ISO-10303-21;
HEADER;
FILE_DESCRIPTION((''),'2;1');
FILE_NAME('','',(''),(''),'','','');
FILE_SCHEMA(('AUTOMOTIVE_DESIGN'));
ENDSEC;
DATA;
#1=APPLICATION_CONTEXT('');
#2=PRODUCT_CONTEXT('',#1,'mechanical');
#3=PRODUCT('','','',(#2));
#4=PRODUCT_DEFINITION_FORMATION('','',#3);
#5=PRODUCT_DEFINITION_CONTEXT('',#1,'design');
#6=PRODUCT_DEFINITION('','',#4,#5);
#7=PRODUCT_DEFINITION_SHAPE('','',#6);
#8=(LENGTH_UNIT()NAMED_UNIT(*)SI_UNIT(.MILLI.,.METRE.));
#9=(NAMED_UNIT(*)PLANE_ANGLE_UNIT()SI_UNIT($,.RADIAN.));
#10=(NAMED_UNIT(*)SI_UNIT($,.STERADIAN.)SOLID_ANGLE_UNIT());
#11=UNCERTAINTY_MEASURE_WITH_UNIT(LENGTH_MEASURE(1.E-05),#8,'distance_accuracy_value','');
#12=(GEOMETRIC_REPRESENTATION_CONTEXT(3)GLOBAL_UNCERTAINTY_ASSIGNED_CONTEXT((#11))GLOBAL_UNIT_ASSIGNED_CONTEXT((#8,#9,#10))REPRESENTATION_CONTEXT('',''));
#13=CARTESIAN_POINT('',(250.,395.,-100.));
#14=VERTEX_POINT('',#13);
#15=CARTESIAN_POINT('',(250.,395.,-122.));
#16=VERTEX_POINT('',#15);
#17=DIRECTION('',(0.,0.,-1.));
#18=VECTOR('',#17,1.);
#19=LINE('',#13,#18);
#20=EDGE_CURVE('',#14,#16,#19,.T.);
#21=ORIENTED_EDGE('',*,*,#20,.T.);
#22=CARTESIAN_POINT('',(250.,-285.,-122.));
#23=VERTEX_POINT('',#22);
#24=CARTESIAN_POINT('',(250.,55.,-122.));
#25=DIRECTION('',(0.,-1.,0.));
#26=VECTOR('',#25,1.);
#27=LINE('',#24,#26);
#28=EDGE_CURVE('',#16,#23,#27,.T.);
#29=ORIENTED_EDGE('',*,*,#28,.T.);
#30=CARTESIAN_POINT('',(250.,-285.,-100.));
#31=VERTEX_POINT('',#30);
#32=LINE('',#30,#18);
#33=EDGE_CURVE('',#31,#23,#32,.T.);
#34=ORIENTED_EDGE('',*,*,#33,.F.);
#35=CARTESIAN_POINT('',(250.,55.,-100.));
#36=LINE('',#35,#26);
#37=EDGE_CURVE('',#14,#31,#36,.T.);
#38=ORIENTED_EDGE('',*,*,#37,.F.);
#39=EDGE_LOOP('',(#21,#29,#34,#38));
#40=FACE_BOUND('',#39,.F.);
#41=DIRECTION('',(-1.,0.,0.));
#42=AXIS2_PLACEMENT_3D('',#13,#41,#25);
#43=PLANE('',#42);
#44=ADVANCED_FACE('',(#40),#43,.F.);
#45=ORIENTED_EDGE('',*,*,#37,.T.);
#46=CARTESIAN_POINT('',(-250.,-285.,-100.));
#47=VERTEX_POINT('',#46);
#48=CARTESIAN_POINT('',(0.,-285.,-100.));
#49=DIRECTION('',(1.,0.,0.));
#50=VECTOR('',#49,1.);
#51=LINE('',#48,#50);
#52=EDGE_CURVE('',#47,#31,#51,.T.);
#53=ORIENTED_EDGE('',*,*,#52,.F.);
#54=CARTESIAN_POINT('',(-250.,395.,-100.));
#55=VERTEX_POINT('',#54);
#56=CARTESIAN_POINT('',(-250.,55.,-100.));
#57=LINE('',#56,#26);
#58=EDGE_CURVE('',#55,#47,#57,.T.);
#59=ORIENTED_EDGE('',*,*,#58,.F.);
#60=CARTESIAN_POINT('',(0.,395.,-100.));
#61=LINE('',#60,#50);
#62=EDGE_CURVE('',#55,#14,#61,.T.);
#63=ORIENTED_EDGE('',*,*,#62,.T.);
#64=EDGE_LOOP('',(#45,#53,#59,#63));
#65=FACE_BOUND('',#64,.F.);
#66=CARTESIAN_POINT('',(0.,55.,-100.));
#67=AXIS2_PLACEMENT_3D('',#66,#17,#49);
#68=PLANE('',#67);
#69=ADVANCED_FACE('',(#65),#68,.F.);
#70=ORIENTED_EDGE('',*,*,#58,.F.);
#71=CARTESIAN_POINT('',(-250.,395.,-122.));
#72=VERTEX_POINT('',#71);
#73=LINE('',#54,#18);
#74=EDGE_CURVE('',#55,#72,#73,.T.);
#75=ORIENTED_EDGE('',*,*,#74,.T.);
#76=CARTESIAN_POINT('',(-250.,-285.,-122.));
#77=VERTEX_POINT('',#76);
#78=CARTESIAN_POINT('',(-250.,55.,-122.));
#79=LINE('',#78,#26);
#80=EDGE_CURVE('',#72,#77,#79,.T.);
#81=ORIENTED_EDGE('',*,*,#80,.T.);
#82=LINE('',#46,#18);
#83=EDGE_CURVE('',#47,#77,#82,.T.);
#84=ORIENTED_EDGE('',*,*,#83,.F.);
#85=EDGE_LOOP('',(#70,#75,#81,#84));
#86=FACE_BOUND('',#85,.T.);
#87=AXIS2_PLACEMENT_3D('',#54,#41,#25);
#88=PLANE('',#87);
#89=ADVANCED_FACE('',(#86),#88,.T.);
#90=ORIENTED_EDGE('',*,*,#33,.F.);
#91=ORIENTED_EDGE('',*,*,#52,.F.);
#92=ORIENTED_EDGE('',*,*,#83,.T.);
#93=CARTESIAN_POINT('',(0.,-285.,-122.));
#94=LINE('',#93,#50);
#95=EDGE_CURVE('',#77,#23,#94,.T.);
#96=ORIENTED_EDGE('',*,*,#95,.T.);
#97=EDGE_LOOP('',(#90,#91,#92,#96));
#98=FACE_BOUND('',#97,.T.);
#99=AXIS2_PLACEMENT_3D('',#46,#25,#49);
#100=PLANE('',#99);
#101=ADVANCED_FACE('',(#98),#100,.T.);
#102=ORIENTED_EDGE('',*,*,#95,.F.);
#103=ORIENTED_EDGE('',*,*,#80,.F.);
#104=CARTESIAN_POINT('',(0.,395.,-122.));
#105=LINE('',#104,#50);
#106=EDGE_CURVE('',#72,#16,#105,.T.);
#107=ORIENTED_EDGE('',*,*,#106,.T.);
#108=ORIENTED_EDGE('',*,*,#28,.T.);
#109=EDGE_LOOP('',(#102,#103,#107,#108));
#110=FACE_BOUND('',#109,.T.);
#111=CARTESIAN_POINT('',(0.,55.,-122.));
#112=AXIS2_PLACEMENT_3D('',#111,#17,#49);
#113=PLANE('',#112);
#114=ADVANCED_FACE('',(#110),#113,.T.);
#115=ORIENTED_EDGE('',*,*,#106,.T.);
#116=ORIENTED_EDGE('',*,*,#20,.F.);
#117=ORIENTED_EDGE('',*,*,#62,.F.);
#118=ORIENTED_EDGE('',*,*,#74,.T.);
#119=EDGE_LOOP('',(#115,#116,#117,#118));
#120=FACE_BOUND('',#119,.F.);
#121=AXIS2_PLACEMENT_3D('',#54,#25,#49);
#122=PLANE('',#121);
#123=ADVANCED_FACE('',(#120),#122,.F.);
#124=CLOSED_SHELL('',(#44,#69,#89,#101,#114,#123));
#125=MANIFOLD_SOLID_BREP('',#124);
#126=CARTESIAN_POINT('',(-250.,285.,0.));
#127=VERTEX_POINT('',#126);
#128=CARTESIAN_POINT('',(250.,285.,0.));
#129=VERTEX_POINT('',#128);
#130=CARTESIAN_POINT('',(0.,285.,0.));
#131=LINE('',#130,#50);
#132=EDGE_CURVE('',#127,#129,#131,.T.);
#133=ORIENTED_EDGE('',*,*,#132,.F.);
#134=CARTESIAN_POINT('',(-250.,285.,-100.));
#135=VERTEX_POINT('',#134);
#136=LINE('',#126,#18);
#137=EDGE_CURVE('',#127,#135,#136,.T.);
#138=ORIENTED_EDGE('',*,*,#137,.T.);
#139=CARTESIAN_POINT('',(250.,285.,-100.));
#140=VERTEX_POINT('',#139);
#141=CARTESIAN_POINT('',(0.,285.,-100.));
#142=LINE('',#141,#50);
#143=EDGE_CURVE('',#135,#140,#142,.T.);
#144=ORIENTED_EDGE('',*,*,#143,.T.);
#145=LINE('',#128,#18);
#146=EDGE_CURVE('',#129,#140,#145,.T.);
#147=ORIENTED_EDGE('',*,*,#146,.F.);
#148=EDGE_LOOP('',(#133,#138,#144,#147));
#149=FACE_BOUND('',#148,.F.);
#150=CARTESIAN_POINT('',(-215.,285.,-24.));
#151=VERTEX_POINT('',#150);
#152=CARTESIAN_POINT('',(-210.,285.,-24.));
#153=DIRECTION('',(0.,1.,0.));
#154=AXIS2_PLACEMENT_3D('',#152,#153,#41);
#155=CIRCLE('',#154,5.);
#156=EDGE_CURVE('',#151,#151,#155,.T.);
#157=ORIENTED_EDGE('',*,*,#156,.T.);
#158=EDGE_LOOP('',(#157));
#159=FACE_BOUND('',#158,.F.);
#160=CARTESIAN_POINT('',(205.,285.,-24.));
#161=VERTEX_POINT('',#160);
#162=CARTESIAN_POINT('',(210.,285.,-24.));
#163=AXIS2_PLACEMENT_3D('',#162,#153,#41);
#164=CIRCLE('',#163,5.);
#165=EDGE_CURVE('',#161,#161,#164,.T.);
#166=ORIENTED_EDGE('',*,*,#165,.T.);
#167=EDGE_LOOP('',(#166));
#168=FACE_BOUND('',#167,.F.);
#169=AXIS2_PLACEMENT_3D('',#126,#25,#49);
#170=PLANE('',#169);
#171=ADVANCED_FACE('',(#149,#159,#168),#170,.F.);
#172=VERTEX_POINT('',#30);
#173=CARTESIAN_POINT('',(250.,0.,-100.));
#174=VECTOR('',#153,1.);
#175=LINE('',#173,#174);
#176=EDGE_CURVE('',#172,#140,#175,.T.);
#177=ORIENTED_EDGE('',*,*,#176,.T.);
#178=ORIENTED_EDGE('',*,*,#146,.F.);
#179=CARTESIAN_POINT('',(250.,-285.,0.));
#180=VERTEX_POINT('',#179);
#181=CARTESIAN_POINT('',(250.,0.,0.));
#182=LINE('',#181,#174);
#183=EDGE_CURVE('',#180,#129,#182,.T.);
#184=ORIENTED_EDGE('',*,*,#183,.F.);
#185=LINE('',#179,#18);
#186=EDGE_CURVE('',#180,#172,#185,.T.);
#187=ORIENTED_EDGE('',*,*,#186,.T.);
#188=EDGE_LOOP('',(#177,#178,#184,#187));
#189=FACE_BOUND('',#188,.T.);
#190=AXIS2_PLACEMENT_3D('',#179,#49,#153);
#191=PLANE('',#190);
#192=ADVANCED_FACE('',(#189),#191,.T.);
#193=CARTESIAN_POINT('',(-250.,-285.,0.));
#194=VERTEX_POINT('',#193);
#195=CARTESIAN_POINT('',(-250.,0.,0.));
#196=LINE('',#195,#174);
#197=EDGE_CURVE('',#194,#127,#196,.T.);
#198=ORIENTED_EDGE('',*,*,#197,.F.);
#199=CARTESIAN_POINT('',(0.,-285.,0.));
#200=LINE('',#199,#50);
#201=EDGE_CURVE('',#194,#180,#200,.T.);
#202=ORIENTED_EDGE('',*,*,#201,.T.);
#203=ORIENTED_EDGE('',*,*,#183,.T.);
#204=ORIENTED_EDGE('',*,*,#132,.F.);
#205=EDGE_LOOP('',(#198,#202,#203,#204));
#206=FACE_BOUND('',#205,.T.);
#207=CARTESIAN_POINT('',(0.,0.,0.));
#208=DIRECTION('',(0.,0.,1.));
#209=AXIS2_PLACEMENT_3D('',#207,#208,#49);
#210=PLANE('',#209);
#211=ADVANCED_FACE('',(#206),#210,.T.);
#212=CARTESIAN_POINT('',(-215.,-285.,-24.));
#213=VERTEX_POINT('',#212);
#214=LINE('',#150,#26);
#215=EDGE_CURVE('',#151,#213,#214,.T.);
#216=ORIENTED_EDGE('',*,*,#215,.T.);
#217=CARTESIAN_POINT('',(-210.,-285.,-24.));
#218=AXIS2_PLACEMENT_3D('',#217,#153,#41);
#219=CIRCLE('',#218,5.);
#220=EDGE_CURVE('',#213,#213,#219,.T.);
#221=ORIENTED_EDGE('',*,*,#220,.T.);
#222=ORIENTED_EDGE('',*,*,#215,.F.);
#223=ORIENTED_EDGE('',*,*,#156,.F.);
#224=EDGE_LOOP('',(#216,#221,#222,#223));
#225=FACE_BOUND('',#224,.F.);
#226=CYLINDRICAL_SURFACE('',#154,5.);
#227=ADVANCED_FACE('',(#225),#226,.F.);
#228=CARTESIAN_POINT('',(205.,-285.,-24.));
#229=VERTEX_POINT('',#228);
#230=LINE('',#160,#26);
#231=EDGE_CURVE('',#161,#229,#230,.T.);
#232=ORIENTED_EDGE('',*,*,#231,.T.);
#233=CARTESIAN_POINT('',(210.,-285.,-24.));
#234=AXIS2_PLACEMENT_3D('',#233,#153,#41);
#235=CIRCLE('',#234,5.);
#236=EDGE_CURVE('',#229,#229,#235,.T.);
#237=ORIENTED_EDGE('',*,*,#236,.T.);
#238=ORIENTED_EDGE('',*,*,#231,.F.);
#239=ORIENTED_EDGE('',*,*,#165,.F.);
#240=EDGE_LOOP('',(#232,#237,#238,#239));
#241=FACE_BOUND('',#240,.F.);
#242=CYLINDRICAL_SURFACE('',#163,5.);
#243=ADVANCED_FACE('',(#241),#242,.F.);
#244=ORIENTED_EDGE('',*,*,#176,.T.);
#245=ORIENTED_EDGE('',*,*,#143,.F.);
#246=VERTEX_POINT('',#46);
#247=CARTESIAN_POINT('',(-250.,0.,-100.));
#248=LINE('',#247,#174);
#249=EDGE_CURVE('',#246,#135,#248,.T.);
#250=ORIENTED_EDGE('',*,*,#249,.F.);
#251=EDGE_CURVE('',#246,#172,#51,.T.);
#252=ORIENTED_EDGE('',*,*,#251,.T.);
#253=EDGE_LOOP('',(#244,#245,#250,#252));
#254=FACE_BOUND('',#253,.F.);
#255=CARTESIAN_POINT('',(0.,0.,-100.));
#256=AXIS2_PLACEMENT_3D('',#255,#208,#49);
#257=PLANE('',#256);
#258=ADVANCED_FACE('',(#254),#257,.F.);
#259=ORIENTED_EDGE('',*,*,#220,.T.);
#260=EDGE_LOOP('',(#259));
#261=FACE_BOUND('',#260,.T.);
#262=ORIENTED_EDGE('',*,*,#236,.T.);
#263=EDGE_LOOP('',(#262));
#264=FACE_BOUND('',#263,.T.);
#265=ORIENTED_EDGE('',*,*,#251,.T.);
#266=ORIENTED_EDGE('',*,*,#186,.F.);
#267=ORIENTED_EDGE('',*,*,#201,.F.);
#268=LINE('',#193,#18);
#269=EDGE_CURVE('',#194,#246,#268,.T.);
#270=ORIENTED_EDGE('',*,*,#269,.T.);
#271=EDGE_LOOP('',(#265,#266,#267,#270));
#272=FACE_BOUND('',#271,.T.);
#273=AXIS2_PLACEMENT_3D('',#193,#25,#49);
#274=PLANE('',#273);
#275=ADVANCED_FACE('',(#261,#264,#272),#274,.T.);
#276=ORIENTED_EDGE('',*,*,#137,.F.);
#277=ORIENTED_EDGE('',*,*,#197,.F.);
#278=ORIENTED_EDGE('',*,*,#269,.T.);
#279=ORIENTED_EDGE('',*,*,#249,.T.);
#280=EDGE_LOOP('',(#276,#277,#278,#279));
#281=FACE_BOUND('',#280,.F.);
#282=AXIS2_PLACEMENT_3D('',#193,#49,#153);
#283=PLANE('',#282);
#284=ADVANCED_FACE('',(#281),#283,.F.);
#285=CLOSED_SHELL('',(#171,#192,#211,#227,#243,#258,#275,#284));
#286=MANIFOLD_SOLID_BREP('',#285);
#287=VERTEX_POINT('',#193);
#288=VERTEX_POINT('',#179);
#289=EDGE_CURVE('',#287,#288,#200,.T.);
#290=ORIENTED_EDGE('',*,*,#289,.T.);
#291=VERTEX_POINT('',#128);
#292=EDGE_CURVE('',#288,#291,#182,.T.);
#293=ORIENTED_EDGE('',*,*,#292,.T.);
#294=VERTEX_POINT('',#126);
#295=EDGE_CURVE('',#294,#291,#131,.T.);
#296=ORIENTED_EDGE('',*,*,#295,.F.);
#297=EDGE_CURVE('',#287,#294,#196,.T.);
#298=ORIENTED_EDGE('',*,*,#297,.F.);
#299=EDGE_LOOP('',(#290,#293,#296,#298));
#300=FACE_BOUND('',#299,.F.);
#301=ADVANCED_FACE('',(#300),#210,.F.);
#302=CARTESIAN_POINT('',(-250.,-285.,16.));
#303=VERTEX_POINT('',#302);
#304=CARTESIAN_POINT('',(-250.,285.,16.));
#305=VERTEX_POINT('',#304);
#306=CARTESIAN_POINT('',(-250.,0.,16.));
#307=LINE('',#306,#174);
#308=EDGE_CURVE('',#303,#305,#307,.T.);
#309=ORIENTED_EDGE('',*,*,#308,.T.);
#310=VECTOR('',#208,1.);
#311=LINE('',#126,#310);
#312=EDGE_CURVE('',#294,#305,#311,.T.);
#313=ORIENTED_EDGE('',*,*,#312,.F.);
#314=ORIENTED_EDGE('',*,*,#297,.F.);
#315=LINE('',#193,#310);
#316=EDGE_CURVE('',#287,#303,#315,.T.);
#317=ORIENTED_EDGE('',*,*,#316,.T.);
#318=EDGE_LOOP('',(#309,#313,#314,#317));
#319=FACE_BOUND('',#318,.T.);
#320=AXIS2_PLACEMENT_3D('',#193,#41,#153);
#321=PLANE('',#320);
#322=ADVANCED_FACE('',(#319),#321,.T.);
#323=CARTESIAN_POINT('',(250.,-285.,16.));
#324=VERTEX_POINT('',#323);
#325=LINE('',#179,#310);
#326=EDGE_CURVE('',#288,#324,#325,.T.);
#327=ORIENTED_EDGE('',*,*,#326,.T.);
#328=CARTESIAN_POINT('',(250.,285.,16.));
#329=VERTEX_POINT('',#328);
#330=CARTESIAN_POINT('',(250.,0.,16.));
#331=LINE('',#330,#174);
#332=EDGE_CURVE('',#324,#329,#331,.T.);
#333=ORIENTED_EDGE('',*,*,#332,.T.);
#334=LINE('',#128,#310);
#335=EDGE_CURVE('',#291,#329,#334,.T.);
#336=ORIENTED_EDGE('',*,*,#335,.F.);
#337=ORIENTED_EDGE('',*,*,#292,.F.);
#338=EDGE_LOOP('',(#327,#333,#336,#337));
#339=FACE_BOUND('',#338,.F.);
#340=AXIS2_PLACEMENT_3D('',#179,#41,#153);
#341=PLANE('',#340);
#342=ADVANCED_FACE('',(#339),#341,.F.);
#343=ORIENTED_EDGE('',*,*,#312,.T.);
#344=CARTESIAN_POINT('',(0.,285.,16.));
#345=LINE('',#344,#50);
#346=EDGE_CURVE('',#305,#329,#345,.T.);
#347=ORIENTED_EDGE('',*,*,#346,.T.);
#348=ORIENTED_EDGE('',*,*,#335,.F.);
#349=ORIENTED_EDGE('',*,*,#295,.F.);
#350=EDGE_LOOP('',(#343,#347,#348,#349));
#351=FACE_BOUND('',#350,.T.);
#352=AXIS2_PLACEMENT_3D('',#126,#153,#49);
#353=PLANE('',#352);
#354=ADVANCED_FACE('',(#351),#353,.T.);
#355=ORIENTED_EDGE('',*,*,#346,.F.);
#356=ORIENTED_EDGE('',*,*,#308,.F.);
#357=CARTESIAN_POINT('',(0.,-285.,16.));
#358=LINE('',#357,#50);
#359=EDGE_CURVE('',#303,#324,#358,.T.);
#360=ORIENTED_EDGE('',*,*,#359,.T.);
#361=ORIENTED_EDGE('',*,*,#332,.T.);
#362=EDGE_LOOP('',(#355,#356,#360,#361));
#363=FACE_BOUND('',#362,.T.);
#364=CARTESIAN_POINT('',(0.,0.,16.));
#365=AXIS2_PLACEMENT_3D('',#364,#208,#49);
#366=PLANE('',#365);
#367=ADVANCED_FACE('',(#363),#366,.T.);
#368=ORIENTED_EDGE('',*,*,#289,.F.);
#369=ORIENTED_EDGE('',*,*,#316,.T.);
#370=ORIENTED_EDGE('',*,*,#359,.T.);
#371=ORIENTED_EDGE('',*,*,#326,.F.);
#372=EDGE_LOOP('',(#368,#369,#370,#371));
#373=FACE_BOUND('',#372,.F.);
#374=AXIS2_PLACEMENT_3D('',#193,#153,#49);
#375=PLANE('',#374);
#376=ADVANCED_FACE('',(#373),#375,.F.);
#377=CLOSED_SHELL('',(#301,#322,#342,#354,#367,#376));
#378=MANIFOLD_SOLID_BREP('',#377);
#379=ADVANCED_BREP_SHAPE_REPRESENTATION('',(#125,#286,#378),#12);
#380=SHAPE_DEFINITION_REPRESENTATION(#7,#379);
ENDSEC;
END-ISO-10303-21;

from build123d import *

# Parameters (mm, degrees)
F0_W     = 500
F0_H     = 570
F1_DEPTH = 16
F2_DEPTH = 100
F3_W     = 500
F3_H     = 680
F4_DEPTH = 22
F5_R     = 5
F6_DEPTH = 570


with BuildPart() as f1:
    # F0 (on Top) → F1 (new body)
    with BuildSketch(Plane.XY):
        Rectangle(F0_W, F0_H)
    extrude(amount=F1_DEPTH)


with BuildPart() as f2:
    # F0 (on Top) → F2 (new body)
    with BuildSketch(Plane.XY):
        Rectangle(F0_W, F0_H)
    extrude(amount=-F2_DEPTH)

    # F5 (on face) → F6 (cut, through all)
    with BuildSketch(Plane(origin=(0, 285, 0), x_dir=(-1, 0, 0), z_dir=(0, 1, 0))):
        with Locations((-210, -24)):
            Circle(F5_R)
        with Locations((210, -24)):
            Circle(F5_R)
    extrude(amount=-F6_DEPTH, mode=Mode.SUBTRACT)


with BuildPart() as f4:
    # F3 (on face) → F4 (new body)
    with BuildSketch(Plane(origin=(0, 0, -100), x_dir=(1, 0, 0), z_dir=(0, 0, -1))):
        with Locations((0, -55)):
            Rectangle(F3_W, F3_H)
    extrude(amount=F4_DEPTH)


solid = Compound([f1.part, f2.part, f4.part])
